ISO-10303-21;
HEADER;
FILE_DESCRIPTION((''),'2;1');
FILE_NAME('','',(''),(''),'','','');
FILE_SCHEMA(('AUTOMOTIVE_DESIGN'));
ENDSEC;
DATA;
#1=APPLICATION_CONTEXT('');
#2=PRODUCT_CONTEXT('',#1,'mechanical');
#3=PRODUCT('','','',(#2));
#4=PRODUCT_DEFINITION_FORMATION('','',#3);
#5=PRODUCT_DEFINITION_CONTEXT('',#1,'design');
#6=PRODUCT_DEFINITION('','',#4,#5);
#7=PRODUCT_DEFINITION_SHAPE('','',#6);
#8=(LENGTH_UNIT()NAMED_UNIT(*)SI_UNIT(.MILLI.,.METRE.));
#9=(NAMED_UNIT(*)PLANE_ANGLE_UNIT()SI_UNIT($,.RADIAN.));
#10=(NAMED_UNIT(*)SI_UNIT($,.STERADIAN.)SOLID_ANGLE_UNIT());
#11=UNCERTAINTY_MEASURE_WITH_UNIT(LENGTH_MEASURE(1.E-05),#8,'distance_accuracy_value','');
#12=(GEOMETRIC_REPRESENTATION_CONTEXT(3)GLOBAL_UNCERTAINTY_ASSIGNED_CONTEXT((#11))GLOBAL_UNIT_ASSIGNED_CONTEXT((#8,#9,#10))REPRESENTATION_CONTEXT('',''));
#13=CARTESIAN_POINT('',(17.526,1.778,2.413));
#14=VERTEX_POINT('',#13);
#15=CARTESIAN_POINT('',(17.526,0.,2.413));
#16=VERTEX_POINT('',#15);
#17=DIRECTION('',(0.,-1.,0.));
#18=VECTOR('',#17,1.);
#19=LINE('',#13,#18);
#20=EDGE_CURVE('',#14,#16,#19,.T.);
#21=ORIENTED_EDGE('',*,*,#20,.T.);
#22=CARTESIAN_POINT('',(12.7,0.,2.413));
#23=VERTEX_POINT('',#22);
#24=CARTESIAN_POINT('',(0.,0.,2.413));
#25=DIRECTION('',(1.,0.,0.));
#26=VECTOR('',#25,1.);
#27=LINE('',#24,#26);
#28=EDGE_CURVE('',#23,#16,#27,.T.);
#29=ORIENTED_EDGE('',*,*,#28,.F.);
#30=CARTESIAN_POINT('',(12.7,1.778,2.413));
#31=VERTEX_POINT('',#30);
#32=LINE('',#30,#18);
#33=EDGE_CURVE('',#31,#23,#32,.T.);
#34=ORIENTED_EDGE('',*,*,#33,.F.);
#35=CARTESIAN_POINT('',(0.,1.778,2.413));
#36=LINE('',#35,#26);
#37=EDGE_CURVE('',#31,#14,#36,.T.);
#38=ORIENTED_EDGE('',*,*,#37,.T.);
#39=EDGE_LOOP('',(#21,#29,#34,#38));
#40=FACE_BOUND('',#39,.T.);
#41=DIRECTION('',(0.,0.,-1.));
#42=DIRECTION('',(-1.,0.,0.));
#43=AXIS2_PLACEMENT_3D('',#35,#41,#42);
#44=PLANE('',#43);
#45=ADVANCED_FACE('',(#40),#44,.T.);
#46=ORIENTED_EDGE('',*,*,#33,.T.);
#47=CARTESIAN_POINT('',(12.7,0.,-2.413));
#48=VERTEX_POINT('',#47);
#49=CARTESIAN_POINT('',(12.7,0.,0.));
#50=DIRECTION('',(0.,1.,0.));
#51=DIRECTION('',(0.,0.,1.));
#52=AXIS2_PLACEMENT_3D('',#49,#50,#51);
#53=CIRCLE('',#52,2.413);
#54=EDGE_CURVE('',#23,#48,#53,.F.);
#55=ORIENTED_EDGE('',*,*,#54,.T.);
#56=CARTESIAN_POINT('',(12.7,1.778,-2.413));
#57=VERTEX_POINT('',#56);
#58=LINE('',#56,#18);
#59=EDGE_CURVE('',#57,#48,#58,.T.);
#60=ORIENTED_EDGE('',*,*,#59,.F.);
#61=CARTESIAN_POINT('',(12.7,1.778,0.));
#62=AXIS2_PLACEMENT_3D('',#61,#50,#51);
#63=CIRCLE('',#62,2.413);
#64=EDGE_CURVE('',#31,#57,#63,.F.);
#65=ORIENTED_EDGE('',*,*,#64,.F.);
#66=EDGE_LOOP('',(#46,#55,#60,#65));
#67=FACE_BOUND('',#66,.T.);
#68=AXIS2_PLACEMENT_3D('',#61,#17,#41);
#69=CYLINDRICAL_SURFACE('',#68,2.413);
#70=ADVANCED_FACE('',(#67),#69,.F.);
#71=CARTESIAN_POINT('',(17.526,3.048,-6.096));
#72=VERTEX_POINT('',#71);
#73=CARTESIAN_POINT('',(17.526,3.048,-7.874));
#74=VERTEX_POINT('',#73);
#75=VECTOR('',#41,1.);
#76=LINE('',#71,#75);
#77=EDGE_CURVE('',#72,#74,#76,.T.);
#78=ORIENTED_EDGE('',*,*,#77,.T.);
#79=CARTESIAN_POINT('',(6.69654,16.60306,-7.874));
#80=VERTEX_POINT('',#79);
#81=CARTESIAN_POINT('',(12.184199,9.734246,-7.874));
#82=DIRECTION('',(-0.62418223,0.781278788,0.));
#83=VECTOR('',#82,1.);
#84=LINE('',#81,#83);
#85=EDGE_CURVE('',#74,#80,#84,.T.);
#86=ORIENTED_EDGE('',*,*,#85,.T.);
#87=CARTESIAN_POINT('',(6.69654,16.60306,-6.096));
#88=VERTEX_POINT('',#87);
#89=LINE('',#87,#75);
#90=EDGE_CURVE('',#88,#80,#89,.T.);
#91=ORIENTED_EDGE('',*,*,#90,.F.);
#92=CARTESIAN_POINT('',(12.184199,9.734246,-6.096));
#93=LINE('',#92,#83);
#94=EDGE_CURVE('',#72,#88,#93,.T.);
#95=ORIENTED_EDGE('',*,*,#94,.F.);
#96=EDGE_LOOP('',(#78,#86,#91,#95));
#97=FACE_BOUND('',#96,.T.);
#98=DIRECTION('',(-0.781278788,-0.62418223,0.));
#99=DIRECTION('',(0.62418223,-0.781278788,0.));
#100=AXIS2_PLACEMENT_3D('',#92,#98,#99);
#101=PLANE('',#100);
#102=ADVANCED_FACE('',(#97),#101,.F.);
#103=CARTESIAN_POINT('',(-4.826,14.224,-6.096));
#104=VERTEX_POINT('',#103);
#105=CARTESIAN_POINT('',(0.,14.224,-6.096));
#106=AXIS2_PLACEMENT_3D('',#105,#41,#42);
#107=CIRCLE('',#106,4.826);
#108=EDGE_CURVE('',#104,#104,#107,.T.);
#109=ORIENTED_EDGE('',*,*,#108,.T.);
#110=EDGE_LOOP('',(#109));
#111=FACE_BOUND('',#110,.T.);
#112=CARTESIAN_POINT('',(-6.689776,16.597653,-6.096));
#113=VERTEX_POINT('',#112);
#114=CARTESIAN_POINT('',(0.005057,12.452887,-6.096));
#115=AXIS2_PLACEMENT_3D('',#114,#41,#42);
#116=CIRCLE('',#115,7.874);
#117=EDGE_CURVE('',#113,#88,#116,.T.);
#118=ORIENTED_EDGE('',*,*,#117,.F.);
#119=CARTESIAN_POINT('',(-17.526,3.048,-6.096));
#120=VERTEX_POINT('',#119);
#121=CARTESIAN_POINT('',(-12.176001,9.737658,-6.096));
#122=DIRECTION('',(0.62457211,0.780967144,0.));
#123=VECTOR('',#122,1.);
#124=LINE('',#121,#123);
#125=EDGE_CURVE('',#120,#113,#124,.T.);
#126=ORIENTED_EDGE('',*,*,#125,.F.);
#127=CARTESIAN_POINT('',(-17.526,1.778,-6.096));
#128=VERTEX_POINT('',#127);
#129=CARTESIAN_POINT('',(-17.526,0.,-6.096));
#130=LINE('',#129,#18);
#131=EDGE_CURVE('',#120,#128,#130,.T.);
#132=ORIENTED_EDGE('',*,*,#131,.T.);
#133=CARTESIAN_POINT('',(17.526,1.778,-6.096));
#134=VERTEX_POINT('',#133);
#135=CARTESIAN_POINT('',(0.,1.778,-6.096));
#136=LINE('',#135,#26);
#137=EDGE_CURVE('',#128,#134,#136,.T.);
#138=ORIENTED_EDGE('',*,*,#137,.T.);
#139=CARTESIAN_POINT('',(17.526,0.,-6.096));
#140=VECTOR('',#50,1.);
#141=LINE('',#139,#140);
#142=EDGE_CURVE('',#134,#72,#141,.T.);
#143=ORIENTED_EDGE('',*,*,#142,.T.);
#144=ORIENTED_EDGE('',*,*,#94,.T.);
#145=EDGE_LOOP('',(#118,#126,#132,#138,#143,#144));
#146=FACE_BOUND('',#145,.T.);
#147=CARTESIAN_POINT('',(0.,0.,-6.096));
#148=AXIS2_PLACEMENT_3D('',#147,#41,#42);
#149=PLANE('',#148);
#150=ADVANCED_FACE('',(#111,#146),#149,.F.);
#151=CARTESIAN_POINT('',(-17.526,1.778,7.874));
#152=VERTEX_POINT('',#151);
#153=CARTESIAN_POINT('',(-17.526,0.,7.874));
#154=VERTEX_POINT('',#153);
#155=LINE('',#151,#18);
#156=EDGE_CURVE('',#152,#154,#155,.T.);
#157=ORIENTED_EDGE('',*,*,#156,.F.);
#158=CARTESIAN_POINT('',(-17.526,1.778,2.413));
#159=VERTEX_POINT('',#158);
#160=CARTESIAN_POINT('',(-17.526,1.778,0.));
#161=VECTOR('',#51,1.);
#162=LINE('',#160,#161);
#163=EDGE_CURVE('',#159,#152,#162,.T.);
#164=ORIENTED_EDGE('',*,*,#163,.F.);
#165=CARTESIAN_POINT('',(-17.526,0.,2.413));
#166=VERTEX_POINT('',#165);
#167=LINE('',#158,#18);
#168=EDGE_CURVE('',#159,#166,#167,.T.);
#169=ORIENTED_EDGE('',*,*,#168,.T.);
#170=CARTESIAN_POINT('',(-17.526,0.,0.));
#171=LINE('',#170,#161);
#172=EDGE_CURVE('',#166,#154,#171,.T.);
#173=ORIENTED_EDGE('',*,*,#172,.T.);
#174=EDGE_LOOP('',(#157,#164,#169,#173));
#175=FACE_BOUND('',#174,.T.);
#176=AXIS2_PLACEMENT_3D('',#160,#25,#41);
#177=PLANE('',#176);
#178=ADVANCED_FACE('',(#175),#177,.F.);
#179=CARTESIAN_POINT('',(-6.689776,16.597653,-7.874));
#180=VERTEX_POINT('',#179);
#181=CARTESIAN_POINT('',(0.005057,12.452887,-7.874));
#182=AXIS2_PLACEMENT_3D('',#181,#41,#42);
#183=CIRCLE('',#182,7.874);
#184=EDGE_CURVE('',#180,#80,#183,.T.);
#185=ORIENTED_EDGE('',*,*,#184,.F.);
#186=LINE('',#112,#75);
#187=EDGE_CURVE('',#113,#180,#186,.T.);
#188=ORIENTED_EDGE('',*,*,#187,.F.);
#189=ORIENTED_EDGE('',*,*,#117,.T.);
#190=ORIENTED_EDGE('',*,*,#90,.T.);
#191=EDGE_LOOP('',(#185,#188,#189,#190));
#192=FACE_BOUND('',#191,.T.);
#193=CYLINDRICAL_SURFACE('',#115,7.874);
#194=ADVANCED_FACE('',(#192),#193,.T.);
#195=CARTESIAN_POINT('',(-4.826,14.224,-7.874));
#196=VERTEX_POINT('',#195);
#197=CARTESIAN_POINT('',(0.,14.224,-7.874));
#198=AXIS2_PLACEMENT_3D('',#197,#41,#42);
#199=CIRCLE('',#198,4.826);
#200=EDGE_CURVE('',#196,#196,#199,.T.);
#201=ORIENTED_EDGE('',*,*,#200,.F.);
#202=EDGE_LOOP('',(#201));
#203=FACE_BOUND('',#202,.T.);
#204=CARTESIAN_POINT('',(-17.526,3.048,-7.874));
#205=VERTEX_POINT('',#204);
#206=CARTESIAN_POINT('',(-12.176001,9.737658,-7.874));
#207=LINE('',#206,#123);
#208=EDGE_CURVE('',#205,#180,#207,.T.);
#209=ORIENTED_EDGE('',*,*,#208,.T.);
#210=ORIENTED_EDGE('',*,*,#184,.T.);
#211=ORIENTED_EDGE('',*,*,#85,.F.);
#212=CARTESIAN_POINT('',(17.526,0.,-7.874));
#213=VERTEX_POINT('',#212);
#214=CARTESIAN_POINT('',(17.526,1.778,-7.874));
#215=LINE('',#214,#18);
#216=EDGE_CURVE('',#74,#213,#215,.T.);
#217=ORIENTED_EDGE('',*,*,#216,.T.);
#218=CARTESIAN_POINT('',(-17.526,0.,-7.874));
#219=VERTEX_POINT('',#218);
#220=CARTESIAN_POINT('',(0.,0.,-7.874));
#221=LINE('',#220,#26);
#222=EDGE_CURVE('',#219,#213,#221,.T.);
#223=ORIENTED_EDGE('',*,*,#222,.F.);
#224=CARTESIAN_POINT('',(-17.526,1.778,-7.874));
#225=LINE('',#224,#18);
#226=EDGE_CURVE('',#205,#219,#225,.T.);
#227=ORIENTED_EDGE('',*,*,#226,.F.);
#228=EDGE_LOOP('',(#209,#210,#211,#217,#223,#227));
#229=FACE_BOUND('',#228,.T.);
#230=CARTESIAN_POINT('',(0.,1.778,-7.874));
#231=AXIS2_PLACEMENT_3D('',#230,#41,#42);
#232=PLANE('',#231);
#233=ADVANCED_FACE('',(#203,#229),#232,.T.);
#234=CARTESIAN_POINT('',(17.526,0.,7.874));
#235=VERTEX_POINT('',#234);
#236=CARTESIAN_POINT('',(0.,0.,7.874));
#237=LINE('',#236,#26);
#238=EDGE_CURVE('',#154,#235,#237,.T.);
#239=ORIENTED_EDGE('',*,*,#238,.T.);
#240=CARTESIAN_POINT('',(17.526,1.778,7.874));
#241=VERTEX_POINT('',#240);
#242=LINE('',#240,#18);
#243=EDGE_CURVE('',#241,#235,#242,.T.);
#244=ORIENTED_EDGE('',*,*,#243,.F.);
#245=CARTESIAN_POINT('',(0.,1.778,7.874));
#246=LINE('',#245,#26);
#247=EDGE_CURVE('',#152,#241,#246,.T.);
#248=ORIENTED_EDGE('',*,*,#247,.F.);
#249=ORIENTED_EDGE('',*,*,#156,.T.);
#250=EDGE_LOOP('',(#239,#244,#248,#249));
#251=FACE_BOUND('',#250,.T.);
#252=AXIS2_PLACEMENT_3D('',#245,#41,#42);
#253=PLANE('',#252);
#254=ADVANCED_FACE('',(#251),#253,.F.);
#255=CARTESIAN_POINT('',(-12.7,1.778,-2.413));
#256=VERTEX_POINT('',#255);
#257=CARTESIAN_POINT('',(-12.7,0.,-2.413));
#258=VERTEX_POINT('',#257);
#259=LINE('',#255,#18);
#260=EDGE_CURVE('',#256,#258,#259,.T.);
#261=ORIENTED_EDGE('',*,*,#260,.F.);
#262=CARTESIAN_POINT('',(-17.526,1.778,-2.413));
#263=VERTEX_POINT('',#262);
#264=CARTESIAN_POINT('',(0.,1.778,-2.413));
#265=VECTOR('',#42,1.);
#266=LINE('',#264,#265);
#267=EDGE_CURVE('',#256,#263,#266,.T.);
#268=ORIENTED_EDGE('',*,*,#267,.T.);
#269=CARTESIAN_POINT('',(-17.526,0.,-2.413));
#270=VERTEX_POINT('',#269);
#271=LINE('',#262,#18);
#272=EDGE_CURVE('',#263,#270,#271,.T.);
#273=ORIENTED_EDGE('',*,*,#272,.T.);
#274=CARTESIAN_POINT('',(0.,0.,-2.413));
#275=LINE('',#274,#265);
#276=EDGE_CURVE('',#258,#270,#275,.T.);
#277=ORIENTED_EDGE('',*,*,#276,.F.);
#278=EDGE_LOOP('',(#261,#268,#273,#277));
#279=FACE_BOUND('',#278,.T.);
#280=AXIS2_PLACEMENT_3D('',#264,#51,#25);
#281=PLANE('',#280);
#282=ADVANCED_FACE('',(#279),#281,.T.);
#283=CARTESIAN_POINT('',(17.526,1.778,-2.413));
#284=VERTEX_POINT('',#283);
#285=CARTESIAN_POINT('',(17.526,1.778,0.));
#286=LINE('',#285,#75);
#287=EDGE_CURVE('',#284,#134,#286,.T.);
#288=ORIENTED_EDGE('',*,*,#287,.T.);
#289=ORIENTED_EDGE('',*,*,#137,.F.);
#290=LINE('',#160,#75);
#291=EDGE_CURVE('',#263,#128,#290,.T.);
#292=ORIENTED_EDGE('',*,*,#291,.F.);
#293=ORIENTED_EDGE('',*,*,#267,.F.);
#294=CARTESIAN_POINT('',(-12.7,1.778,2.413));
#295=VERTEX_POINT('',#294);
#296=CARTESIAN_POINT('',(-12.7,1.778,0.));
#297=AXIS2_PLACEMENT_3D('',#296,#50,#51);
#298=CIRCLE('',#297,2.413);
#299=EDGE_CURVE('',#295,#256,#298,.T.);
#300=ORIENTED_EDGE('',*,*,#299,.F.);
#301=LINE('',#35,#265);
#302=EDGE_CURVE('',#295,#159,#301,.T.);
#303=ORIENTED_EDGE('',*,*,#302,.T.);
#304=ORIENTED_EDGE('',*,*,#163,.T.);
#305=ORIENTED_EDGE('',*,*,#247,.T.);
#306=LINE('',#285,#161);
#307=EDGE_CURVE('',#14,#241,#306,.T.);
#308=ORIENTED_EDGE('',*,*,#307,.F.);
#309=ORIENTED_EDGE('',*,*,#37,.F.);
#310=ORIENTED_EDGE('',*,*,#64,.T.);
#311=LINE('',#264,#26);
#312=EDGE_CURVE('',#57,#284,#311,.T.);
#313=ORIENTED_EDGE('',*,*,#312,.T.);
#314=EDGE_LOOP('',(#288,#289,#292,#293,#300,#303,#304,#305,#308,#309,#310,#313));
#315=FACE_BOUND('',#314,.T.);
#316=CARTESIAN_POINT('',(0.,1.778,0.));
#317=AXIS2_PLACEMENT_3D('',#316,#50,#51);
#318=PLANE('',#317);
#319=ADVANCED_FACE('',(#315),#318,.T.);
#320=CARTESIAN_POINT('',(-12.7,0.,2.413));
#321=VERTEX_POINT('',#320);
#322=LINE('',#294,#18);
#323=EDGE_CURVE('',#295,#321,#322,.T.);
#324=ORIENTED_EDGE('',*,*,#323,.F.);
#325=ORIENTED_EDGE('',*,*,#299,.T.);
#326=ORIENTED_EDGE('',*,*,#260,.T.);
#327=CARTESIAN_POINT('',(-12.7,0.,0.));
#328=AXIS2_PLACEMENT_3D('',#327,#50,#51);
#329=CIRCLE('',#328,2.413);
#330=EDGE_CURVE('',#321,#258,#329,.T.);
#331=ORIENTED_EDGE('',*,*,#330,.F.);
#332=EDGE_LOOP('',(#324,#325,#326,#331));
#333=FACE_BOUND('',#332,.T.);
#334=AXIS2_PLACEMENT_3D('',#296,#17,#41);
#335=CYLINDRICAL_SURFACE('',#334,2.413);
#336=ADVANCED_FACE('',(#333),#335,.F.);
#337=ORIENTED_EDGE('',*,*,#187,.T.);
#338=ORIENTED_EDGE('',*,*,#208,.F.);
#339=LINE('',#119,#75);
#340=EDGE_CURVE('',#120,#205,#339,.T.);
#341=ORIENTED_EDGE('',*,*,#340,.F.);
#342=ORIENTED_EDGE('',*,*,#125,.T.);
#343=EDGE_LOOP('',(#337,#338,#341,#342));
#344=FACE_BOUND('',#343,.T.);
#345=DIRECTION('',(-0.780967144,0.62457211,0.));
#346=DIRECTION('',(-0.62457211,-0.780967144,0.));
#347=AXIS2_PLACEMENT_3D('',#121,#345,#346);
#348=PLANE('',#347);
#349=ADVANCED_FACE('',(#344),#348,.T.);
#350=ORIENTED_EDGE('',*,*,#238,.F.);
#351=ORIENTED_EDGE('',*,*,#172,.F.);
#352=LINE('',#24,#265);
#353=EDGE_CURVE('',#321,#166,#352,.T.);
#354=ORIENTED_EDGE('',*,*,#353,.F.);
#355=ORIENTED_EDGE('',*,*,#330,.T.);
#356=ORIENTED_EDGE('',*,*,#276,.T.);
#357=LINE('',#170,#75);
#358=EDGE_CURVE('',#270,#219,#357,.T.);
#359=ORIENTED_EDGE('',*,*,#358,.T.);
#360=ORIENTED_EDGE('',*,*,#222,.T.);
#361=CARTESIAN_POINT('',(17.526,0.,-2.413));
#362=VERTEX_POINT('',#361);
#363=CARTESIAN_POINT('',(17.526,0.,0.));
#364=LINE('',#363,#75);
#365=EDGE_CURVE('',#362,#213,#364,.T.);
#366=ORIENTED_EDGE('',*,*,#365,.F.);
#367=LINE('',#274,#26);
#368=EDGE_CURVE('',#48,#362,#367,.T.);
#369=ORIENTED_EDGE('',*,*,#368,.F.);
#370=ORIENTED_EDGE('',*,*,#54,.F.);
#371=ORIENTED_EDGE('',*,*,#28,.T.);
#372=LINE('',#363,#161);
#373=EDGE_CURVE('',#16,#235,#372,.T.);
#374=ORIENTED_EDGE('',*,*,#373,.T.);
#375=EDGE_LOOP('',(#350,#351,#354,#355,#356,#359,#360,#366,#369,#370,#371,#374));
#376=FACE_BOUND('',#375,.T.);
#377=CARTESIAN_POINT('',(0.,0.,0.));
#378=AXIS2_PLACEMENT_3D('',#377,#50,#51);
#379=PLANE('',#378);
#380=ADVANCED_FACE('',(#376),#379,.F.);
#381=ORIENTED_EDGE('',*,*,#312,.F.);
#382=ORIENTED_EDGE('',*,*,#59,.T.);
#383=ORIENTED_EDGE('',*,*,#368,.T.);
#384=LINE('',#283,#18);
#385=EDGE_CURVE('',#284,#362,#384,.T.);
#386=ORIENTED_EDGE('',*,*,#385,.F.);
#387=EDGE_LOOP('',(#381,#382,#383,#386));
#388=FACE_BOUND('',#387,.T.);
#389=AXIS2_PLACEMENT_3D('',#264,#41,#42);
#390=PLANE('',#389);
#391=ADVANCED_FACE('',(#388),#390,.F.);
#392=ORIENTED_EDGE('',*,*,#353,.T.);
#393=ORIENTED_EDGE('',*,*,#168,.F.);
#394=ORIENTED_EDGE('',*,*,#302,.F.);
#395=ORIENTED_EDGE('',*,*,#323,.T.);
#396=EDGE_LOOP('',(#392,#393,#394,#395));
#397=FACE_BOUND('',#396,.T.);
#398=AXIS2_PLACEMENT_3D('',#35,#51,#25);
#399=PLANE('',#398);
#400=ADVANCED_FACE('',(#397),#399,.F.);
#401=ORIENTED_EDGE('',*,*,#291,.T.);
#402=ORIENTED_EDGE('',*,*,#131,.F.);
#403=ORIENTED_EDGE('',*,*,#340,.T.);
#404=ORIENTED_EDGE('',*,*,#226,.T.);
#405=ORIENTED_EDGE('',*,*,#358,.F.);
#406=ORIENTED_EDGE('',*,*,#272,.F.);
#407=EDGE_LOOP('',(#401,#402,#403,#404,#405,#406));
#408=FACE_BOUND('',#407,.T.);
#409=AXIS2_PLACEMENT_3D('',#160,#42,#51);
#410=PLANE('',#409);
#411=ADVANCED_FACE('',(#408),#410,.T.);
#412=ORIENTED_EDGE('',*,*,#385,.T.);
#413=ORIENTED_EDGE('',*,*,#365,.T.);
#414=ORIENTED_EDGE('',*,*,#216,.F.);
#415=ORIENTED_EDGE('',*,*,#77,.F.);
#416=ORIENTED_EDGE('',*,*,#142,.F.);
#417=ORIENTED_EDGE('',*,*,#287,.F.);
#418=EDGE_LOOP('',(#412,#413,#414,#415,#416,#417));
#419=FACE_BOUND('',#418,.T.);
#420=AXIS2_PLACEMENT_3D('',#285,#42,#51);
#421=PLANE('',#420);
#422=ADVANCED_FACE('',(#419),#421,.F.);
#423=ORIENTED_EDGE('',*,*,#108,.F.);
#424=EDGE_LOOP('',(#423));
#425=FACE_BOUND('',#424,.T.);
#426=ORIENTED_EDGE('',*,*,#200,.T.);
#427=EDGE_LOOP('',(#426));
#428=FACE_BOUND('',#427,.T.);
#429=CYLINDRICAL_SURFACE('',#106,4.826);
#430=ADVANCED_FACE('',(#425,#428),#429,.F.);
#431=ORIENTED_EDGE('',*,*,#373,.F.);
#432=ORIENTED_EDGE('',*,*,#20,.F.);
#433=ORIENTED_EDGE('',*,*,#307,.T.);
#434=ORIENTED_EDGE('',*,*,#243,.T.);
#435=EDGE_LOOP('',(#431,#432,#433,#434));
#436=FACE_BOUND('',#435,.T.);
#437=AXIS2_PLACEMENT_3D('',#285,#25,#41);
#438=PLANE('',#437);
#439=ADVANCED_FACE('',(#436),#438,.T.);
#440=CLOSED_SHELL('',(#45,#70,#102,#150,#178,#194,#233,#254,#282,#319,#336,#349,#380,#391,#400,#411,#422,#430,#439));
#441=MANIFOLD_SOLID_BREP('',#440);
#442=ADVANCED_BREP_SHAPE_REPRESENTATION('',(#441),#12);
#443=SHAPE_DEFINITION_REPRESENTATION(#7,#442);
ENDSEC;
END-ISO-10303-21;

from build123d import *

# Parameters (mm, degrees)
BOSS_EXTRUDE1_DEPTH = 1.778
SKETCH3_R           = 4.826
BOSS_EXTRUDE2_DEPTH = 1.778


with BuildPart() as part:
    # Sketch1 → Boss-Extrude1 (new body)
    with BuildSketch(Plane(origin=(0, 0, 0), x_dir=(1, 0, 0), z_dir=(0, 1, 0))):
        with BuildLine():
            Line((-17.526, 2.413), (-12.7, 2.413))
            ThreePointArc((-12.7, 2.413), (-10.993751337, 1.706248663), (-10.287, 0))
            ThreePointArc((-10.287, 0), (-10.993751337, -1.706248663), (-12.7, -2.413))
            Line((-12.7, -2.413), (-17.526, -2.413))
            Line((-17.526, -2.413), (-17.526, -7.874))
            Line((-17.526, -7.874), (17.526, -7.874))
            Line((17.526, -7.874), (17.526, -2.413))
            Line((17.526, -2.413), (12.7, -2.413))
            ThreePointArc((12.7, -2.413), (10.287, 0), (12.7, 2.413))
            Line((12.7, 2.413), (17.526, 2.413))
            Line((17.526, 2.413), (17.526, 7.874))
            Line((17.526, 7.874), (0, 7.874))
            Line((0, 7.874), (-17.526, 7.874))
            Line((-17.526, 7.874), (-17.526, 2.413))
        make_face()
    extrude(amount=BOSS_EXTRUDE1_DEPTH)

    # Sketch3 → Boss-Extrude2 (add)
    with BuildSketch(Plane(origin=(0, 0, -7.874), x_dir=(-1, 0, 0), z_dir=(0, 0, -1))):
        with BuildLine():
            Line((17.526, 3.048), (6.689775541, 16.597652846))
            ThreePointArc((6.689775541, 16.597652846), (-0.001876966, 20.326885902), (-6.696539897, 16.603059817))
            Line((-6.696539897, 16.603059817), (-17.526, 3.048))
            Line((-17.526, 3.048), (-17.526, 1.778))
            Line((-17.526, 1.778), (17.526, 1.778))
            Line((17.526, 1.778), (17.526, 3.048))
        make_face()
        with Locations((0, 14.224)):
            Circle(SKETCH3_R, mode=Mode.SUBTRACT)
    extrude(amount=-BOSS_EXTRUDE2_DEPTH)


solid = part.part
